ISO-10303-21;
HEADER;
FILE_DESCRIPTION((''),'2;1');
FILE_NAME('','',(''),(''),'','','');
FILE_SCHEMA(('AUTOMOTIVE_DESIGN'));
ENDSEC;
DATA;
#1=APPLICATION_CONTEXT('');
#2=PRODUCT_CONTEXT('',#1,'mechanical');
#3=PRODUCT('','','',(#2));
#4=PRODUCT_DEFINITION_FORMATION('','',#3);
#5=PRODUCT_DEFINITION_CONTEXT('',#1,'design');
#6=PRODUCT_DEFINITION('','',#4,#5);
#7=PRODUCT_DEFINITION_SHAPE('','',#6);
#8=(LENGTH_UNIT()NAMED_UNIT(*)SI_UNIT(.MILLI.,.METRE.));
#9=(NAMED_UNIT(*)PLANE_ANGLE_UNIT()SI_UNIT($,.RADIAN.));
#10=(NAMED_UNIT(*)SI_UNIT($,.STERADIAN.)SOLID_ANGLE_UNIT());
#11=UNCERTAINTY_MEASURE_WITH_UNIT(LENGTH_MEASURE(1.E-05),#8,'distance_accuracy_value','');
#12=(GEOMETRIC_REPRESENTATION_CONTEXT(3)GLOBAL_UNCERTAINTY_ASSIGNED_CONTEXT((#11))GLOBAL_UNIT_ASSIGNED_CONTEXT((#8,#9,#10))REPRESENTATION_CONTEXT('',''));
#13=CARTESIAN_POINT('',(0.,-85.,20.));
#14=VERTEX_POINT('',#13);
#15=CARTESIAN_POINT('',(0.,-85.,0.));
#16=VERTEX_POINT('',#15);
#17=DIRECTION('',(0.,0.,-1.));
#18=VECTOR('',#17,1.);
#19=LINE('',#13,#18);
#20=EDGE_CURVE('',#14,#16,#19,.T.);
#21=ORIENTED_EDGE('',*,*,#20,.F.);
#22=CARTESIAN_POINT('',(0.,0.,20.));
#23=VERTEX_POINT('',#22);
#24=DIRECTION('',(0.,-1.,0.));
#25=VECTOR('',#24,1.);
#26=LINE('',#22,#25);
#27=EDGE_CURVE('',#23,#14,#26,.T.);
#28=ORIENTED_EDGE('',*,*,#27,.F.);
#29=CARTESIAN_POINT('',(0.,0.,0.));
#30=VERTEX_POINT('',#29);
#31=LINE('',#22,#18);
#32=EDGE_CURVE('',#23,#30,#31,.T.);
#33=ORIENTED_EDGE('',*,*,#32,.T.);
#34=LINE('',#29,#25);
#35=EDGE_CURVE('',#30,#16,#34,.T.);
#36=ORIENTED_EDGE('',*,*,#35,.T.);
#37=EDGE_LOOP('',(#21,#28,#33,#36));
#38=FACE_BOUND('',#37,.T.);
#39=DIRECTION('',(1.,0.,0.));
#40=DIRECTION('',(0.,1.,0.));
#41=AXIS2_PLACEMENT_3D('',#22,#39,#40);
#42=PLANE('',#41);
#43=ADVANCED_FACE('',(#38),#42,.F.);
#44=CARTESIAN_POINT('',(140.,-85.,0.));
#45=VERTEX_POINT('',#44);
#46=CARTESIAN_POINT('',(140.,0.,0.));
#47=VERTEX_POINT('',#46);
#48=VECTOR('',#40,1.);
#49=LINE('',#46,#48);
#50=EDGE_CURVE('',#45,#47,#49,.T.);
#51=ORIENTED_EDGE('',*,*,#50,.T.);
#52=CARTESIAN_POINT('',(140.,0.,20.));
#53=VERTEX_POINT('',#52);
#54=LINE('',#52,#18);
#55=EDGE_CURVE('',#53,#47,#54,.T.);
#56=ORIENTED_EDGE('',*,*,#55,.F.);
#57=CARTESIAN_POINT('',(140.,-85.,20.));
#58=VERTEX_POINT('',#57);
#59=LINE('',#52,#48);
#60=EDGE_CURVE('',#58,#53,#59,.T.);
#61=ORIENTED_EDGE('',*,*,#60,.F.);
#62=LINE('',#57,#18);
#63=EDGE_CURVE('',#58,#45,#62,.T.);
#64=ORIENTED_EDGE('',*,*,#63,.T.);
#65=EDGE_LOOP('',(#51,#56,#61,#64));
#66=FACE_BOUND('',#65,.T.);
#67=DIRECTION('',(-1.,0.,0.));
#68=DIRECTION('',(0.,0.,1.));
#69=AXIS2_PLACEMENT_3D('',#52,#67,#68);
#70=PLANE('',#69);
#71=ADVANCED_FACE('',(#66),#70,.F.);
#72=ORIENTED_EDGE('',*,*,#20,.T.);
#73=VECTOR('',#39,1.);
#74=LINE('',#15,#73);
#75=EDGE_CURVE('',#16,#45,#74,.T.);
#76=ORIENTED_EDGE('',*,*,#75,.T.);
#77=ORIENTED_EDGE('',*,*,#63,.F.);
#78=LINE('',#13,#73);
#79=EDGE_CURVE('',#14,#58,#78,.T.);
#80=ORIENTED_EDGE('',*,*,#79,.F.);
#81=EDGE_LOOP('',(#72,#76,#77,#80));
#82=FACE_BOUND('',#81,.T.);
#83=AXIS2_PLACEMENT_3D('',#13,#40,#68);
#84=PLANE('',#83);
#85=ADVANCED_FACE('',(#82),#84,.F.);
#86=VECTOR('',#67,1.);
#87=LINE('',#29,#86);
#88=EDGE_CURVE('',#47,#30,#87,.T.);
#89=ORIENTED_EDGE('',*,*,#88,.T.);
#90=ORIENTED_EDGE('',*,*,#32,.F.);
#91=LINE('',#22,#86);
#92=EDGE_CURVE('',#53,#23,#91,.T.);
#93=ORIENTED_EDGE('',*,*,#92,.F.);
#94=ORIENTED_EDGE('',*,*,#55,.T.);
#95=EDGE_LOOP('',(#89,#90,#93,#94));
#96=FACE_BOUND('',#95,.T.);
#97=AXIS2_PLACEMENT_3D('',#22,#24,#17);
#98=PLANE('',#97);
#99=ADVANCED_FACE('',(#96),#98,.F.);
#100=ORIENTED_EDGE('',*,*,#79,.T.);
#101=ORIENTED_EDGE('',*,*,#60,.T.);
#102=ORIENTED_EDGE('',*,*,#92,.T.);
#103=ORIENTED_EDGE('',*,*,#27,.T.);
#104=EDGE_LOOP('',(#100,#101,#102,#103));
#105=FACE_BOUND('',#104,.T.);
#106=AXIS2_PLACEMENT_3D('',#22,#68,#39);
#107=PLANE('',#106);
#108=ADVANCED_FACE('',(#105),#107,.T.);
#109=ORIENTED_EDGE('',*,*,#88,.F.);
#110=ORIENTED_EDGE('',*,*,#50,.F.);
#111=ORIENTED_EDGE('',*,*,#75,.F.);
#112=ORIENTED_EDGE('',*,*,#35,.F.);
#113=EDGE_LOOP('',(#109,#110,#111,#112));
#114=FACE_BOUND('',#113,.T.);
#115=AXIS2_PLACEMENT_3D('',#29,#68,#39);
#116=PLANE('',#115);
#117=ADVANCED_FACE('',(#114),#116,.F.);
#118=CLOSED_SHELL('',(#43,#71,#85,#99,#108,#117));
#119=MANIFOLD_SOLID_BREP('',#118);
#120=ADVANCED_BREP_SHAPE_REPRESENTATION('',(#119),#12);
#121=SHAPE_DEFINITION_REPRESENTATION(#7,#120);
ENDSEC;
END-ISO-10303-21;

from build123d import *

# Parameters (mm, degrees)
SKETCH_1_W      = 140
SKETCH_1_H      = 85
EXTRUDE_1_DEPTH = 20


with BuildPart() as part:
    # 草图1 → 凸台-拉伸1 (new body)
    with BuildSketch(Plane.XY):
        with Locations((70, -42.5)):
            Rectangle(SKETCH_1_W, SKETCH_1_H)
    extrude(amount=EXTRUDE_1_DEPTH)


solid = part.part
